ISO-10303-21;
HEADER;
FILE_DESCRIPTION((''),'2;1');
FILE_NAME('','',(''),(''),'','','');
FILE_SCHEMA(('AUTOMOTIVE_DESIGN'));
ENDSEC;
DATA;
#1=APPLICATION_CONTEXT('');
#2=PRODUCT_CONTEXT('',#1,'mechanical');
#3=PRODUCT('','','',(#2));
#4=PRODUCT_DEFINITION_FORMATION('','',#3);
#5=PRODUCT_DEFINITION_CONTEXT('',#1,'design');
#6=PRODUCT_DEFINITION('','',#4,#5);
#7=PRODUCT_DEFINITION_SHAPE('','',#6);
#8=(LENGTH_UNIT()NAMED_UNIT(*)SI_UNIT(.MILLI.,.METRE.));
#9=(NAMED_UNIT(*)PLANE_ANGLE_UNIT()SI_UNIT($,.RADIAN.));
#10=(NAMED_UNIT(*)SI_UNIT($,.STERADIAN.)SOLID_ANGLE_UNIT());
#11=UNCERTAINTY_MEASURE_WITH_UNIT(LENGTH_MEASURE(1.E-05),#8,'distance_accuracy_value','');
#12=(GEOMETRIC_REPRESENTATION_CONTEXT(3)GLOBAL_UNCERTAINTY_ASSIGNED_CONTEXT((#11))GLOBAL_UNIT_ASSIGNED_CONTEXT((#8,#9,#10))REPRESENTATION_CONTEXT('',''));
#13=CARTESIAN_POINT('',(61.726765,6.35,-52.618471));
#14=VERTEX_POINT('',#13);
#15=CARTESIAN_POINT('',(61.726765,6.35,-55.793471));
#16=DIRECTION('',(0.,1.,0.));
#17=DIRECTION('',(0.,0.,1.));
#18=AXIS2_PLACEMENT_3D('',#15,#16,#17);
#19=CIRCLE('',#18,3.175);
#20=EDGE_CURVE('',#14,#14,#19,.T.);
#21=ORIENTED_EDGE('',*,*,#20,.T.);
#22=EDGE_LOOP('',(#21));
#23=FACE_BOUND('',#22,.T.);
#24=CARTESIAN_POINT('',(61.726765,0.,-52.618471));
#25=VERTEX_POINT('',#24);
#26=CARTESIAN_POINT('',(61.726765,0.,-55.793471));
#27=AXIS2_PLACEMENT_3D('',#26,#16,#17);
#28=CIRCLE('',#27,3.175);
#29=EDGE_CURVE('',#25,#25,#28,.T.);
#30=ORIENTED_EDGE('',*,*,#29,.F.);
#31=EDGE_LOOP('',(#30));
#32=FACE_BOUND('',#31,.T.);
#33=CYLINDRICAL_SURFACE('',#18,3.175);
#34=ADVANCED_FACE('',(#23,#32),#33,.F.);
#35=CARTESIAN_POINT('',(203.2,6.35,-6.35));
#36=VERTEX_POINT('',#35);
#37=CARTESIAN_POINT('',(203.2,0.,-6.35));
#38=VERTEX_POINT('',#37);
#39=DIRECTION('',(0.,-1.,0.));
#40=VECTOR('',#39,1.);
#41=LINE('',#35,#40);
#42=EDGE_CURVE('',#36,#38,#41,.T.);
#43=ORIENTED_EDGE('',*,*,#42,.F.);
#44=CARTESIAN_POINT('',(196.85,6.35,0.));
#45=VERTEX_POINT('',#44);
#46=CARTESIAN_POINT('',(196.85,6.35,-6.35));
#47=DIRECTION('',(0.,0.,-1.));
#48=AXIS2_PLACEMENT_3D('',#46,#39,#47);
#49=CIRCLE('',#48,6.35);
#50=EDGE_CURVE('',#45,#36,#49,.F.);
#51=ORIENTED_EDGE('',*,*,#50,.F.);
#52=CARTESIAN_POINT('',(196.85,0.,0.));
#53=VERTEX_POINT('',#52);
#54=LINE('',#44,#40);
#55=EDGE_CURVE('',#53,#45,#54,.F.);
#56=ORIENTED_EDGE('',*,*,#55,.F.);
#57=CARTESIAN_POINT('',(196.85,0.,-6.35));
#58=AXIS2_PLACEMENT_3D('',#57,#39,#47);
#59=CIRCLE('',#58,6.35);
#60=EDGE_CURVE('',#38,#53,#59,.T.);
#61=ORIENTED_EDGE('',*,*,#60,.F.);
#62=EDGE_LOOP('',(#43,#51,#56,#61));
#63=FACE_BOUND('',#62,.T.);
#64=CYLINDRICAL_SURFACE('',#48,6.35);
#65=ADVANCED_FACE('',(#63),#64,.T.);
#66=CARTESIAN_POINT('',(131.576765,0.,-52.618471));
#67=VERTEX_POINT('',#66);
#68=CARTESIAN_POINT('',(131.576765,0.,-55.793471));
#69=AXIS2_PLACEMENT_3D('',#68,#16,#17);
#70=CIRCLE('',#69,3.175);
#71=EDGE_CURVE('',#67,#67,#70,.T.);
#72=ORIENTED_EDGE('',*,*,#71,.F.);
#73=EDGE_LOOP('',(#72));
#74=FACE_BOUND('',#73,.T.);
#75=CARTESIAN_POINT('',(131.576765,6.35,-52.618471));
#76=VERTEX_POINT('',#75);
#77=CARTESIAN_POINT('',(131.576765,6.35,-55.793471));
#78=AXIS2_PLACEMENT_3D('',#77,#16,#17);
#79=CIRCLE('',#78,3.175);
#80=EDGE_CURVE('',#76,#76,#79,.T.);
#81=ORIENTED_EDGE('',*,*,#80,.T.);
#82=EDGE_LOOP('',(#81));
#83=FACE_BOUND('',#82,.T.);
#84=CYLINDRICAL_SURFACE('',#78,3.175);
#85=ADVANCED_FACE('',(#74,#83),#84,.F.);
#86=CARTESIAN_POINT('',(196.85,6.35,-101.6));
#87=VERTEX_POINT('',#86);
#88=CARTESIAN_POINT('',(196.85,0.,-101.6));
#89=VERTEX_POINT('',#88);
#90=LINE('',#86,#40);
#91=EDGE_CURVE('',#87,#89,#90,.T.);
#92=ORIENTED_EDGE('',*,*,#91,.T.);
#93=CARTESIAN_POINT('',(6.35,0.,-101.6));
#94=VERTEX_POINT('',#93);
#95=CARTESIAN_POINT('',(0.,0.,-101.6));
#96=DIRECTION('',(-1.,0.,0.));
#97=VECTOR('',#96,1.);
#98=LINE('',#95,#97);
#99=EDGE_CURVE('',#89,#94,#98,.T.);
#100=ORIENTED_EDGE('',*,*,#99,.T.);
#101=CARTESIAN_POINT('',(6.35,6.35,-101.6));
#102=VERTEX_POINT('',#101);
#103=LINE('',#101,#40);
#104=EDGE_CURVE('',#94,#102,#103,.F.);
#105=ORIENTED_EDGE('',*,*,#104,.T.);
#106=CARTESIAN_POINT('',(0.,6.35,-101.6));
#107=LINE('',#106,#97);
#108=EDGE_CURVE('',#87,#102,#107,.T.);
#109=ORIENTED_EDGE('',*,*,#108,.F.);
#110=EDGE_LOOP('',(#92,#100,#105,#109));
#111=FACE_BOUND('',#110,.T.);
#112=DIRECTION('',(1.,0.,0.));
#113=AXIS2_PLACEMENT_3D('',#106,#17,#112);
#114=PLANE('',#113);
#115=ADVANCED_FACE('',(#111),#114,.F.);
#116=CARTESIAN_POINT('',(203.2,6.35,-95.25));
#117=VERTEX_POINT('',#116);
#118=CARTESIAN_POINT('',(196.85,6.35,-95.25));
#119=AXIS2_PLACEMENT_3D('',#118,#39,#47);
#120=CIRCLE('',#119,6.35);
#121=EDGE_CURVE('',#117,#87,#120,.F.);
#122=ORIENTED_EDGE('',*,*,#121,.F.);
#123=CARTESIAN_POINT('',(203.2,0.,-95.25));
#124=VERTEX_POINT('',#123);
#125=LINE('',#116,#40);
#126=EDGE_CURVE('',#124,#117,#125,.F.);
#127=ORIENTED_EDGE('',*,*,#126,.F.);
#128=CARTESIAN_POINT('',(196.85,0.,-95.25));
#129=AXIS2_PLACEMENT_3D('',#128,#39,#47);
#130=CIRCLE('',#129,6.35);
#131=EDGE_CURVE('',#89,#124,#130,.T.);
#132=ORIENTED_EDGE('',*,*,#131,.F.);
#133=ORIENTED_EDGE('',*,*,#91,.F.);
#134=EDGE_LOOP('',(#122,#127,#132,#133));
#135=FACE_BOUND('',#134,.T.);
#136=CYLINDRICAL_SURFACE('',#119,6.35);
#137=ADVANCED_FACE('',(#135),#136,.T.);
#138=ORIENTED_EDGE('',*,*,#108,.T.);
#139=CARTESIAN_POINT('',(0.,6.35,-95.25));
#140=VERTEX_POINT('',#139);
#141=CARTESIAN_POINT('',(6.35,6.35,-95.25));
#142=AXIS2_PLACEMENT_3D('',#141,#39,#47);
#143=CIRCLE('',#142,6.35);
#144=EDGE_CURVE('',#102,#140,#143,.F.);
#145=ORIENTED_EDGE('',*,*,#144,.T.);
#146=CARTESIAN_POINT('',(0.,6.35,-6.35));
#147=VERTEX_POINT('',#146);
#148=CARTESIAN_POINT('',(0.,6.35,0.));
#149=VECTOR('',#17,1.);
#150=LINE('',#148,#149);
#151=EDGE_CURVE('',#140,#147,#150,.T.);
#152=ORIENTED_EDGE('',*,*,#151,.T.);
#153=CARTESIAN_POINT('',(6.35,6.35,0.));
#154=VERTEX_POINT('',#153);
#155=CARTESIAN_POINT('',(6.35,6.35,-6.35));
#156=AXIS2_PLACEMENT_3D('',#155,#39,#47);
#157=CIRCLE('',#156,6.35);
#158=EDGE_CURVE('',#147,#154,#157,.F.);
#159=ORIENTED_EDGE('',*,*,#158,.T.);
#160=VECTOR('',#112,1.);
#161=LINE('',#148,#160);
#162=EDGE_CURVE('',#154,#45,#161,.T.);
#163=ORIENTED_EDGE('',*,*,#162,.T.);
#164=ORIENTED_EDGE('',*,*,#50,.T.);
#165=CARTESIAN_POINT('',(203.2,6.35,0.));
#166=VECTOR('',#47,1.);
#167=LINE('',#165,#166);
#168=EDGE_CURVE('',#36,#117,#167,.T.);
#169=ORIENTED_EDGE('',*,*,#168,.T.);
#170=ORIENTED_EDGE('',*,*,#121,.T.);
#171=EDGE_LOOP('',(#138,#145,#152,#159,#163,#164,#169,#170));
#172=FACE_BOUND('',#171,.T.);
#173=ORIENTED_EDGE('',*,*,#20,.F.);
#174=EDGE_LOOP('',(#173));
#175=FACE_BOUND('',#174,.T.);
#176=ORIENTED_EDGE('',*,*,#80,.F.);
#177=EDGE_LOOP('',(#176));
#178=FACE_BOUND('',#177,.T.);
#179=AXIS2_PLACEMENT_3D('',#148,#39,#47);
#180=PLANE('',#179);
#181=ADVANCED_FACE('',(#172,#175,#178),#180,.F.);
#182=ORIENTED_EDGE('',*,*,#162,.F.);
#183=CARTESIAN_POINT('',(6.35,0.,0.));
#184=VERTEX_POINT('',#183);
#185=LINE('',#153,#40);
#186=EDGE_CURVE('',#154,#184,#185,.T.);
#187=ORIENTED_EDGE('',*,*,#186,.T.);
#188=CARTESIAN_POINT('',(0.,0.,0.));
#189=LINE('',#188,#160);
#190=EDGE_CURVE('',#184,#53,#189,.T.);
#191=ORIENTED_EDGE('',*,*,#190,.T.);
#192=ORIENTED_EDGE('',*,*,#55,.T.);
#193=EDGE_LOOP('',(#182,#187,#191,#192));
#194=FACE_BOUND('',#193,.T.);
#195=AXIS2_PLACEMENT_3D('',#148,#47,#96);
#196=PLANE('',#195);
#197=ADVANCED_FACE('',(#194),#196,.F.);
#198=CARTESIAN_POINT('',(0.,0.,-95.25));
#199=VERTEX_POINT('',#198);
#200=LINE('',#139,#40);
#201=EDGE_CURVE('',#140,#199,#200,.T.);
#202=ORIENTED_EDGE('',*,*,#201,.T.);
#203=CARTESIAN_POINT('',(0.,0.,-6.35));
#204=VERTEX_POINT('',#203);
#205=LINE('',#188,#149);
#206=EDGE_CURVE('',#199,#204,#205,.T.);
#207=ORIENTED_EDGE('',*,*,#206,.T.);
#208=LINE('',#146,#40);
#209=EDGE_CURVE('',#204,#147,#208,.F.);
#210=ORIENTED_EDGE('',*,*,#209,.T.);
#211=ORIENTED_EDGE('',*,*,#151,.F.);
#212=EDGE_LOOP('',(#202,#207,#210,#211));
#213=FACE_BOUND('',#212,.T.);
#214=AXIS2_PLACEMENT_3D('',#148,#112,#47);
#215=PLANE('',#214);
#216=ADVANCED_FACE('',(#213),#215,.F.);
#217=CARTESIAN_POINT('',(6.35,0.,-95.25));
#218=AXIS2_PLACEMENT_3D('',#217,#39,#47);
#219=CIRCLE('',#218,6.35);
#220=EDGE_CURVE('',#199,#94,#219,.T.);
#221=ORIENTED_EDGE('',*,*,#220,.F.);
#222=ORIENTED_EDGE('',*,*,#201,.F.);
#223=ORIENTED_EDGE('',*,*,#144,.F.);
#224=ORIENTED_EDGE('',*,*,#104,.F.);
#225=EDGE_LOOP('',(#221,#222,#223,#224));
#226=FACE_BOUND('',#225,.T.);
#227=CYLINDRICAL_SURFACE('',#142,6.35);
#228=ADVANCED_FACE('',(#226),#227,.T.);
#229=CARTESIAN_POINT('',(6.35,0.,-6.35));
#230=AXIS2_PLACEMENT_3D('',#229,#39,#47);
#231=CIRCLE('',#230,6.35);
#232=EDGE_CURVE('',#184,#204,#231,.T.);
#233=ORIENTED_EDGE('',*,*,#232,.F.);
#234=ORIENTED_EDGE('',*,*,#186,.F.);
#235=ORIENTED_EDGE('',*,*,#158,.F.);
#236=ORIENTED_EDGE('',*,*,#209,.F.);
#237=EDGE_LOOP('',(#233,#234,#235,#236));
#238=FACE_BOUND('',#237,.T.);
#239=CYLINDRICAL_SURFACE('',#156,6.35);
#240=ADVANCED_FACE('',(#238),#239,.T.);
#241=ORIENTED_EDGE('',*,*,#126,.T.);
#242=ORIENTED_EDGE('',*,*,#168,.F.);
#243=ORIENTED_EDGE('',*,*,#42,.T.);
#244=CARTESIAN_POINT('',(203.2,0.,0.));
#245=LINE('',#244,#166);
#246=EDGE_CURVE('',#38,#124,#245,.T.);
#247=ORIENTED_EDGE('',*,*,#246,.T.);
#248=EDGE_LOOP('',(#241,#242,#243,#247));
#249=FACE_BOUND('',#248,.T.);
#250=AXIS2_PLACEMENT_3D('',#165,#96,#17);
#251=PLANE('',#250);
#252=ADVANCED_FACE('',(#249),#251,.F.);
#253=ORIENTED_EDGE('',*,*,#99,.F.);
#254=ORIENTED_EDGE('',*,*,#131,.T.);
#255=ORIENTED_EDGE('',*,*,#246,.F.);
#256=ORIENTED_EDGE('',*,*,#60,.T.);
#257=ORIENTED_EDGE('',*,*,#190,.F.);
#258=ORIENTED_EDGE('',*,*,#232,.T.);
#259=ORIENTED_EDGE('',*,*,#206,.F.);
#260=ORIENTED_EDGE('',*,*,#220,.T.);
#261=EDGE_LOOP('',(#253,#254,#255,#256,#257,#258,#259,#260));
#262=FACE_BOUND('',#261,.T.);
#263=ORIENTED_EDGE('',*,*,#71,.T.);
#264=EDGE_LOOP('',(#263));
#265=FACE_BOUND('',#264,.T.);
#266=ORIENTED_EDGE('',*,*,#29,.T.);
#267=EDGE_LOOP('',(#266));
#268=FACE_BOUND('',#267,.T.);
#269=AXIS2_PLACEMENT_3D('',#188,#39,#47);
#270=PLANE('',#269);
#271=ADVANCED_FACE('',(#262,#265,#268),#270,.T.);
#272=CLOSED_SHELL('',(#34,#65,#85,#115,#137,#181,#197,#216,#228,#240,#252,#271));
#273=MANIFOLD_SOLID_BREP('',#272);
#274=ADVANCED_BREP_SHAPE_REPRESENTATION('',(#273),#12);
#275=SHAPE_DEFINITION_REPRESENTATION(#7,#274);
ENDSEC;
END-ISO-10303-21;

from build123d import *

# Parameters (mm, degrees)
SKETCH1_W                   = 203.2
SKETCH1_H                   = 101.6
BOSS_EXTRUDE1_DEPTH         = 6.35
F_1_4_0_25_DIAMETER_HOLE1_D = 6.35
FILLET1_R                   = 6.35


with BuildPart() as part:
    # Sketch1 → Boss-Extrude1 (new body)
    with BuildSketch(Plane(origin=(0, 0, 0), x_dir=(1, 0, 0), z_dir=(0, 1, 0))):
        with Locations((101.6, 50.8)):
            Rectangle(SKETCH1_W, SKETCH1_H)
    extrude(amount=BOSS_EXTRUDE1_DEPTH)

    # 1/4 (0.25) Diameter Hole1 (through all)
    with Locations(Plane(origin=(0, 6.35, 0), x_dir=(1, 0, 0), z_dir=(0, 1, 0))):
        with Locations((61.726765383, 55.793470503), (131.576765383, 55.793470503)):
            Hole(F_1_4_0_25_DIAMETER_HOLE1_D / 2)

    # Fillet1
    fillet1_edges = [part.edges().sort_by_distance(p)[0] for p in [
        (0, 3.175, -101.6),
        (203.2, 3.175, -101.6),
        (203.2, 3.175, 0),
        (0, 3.175, 0),
    ]]
    fillet(fillet1_edges, radius=FILLET1_R)


solid = part.part
